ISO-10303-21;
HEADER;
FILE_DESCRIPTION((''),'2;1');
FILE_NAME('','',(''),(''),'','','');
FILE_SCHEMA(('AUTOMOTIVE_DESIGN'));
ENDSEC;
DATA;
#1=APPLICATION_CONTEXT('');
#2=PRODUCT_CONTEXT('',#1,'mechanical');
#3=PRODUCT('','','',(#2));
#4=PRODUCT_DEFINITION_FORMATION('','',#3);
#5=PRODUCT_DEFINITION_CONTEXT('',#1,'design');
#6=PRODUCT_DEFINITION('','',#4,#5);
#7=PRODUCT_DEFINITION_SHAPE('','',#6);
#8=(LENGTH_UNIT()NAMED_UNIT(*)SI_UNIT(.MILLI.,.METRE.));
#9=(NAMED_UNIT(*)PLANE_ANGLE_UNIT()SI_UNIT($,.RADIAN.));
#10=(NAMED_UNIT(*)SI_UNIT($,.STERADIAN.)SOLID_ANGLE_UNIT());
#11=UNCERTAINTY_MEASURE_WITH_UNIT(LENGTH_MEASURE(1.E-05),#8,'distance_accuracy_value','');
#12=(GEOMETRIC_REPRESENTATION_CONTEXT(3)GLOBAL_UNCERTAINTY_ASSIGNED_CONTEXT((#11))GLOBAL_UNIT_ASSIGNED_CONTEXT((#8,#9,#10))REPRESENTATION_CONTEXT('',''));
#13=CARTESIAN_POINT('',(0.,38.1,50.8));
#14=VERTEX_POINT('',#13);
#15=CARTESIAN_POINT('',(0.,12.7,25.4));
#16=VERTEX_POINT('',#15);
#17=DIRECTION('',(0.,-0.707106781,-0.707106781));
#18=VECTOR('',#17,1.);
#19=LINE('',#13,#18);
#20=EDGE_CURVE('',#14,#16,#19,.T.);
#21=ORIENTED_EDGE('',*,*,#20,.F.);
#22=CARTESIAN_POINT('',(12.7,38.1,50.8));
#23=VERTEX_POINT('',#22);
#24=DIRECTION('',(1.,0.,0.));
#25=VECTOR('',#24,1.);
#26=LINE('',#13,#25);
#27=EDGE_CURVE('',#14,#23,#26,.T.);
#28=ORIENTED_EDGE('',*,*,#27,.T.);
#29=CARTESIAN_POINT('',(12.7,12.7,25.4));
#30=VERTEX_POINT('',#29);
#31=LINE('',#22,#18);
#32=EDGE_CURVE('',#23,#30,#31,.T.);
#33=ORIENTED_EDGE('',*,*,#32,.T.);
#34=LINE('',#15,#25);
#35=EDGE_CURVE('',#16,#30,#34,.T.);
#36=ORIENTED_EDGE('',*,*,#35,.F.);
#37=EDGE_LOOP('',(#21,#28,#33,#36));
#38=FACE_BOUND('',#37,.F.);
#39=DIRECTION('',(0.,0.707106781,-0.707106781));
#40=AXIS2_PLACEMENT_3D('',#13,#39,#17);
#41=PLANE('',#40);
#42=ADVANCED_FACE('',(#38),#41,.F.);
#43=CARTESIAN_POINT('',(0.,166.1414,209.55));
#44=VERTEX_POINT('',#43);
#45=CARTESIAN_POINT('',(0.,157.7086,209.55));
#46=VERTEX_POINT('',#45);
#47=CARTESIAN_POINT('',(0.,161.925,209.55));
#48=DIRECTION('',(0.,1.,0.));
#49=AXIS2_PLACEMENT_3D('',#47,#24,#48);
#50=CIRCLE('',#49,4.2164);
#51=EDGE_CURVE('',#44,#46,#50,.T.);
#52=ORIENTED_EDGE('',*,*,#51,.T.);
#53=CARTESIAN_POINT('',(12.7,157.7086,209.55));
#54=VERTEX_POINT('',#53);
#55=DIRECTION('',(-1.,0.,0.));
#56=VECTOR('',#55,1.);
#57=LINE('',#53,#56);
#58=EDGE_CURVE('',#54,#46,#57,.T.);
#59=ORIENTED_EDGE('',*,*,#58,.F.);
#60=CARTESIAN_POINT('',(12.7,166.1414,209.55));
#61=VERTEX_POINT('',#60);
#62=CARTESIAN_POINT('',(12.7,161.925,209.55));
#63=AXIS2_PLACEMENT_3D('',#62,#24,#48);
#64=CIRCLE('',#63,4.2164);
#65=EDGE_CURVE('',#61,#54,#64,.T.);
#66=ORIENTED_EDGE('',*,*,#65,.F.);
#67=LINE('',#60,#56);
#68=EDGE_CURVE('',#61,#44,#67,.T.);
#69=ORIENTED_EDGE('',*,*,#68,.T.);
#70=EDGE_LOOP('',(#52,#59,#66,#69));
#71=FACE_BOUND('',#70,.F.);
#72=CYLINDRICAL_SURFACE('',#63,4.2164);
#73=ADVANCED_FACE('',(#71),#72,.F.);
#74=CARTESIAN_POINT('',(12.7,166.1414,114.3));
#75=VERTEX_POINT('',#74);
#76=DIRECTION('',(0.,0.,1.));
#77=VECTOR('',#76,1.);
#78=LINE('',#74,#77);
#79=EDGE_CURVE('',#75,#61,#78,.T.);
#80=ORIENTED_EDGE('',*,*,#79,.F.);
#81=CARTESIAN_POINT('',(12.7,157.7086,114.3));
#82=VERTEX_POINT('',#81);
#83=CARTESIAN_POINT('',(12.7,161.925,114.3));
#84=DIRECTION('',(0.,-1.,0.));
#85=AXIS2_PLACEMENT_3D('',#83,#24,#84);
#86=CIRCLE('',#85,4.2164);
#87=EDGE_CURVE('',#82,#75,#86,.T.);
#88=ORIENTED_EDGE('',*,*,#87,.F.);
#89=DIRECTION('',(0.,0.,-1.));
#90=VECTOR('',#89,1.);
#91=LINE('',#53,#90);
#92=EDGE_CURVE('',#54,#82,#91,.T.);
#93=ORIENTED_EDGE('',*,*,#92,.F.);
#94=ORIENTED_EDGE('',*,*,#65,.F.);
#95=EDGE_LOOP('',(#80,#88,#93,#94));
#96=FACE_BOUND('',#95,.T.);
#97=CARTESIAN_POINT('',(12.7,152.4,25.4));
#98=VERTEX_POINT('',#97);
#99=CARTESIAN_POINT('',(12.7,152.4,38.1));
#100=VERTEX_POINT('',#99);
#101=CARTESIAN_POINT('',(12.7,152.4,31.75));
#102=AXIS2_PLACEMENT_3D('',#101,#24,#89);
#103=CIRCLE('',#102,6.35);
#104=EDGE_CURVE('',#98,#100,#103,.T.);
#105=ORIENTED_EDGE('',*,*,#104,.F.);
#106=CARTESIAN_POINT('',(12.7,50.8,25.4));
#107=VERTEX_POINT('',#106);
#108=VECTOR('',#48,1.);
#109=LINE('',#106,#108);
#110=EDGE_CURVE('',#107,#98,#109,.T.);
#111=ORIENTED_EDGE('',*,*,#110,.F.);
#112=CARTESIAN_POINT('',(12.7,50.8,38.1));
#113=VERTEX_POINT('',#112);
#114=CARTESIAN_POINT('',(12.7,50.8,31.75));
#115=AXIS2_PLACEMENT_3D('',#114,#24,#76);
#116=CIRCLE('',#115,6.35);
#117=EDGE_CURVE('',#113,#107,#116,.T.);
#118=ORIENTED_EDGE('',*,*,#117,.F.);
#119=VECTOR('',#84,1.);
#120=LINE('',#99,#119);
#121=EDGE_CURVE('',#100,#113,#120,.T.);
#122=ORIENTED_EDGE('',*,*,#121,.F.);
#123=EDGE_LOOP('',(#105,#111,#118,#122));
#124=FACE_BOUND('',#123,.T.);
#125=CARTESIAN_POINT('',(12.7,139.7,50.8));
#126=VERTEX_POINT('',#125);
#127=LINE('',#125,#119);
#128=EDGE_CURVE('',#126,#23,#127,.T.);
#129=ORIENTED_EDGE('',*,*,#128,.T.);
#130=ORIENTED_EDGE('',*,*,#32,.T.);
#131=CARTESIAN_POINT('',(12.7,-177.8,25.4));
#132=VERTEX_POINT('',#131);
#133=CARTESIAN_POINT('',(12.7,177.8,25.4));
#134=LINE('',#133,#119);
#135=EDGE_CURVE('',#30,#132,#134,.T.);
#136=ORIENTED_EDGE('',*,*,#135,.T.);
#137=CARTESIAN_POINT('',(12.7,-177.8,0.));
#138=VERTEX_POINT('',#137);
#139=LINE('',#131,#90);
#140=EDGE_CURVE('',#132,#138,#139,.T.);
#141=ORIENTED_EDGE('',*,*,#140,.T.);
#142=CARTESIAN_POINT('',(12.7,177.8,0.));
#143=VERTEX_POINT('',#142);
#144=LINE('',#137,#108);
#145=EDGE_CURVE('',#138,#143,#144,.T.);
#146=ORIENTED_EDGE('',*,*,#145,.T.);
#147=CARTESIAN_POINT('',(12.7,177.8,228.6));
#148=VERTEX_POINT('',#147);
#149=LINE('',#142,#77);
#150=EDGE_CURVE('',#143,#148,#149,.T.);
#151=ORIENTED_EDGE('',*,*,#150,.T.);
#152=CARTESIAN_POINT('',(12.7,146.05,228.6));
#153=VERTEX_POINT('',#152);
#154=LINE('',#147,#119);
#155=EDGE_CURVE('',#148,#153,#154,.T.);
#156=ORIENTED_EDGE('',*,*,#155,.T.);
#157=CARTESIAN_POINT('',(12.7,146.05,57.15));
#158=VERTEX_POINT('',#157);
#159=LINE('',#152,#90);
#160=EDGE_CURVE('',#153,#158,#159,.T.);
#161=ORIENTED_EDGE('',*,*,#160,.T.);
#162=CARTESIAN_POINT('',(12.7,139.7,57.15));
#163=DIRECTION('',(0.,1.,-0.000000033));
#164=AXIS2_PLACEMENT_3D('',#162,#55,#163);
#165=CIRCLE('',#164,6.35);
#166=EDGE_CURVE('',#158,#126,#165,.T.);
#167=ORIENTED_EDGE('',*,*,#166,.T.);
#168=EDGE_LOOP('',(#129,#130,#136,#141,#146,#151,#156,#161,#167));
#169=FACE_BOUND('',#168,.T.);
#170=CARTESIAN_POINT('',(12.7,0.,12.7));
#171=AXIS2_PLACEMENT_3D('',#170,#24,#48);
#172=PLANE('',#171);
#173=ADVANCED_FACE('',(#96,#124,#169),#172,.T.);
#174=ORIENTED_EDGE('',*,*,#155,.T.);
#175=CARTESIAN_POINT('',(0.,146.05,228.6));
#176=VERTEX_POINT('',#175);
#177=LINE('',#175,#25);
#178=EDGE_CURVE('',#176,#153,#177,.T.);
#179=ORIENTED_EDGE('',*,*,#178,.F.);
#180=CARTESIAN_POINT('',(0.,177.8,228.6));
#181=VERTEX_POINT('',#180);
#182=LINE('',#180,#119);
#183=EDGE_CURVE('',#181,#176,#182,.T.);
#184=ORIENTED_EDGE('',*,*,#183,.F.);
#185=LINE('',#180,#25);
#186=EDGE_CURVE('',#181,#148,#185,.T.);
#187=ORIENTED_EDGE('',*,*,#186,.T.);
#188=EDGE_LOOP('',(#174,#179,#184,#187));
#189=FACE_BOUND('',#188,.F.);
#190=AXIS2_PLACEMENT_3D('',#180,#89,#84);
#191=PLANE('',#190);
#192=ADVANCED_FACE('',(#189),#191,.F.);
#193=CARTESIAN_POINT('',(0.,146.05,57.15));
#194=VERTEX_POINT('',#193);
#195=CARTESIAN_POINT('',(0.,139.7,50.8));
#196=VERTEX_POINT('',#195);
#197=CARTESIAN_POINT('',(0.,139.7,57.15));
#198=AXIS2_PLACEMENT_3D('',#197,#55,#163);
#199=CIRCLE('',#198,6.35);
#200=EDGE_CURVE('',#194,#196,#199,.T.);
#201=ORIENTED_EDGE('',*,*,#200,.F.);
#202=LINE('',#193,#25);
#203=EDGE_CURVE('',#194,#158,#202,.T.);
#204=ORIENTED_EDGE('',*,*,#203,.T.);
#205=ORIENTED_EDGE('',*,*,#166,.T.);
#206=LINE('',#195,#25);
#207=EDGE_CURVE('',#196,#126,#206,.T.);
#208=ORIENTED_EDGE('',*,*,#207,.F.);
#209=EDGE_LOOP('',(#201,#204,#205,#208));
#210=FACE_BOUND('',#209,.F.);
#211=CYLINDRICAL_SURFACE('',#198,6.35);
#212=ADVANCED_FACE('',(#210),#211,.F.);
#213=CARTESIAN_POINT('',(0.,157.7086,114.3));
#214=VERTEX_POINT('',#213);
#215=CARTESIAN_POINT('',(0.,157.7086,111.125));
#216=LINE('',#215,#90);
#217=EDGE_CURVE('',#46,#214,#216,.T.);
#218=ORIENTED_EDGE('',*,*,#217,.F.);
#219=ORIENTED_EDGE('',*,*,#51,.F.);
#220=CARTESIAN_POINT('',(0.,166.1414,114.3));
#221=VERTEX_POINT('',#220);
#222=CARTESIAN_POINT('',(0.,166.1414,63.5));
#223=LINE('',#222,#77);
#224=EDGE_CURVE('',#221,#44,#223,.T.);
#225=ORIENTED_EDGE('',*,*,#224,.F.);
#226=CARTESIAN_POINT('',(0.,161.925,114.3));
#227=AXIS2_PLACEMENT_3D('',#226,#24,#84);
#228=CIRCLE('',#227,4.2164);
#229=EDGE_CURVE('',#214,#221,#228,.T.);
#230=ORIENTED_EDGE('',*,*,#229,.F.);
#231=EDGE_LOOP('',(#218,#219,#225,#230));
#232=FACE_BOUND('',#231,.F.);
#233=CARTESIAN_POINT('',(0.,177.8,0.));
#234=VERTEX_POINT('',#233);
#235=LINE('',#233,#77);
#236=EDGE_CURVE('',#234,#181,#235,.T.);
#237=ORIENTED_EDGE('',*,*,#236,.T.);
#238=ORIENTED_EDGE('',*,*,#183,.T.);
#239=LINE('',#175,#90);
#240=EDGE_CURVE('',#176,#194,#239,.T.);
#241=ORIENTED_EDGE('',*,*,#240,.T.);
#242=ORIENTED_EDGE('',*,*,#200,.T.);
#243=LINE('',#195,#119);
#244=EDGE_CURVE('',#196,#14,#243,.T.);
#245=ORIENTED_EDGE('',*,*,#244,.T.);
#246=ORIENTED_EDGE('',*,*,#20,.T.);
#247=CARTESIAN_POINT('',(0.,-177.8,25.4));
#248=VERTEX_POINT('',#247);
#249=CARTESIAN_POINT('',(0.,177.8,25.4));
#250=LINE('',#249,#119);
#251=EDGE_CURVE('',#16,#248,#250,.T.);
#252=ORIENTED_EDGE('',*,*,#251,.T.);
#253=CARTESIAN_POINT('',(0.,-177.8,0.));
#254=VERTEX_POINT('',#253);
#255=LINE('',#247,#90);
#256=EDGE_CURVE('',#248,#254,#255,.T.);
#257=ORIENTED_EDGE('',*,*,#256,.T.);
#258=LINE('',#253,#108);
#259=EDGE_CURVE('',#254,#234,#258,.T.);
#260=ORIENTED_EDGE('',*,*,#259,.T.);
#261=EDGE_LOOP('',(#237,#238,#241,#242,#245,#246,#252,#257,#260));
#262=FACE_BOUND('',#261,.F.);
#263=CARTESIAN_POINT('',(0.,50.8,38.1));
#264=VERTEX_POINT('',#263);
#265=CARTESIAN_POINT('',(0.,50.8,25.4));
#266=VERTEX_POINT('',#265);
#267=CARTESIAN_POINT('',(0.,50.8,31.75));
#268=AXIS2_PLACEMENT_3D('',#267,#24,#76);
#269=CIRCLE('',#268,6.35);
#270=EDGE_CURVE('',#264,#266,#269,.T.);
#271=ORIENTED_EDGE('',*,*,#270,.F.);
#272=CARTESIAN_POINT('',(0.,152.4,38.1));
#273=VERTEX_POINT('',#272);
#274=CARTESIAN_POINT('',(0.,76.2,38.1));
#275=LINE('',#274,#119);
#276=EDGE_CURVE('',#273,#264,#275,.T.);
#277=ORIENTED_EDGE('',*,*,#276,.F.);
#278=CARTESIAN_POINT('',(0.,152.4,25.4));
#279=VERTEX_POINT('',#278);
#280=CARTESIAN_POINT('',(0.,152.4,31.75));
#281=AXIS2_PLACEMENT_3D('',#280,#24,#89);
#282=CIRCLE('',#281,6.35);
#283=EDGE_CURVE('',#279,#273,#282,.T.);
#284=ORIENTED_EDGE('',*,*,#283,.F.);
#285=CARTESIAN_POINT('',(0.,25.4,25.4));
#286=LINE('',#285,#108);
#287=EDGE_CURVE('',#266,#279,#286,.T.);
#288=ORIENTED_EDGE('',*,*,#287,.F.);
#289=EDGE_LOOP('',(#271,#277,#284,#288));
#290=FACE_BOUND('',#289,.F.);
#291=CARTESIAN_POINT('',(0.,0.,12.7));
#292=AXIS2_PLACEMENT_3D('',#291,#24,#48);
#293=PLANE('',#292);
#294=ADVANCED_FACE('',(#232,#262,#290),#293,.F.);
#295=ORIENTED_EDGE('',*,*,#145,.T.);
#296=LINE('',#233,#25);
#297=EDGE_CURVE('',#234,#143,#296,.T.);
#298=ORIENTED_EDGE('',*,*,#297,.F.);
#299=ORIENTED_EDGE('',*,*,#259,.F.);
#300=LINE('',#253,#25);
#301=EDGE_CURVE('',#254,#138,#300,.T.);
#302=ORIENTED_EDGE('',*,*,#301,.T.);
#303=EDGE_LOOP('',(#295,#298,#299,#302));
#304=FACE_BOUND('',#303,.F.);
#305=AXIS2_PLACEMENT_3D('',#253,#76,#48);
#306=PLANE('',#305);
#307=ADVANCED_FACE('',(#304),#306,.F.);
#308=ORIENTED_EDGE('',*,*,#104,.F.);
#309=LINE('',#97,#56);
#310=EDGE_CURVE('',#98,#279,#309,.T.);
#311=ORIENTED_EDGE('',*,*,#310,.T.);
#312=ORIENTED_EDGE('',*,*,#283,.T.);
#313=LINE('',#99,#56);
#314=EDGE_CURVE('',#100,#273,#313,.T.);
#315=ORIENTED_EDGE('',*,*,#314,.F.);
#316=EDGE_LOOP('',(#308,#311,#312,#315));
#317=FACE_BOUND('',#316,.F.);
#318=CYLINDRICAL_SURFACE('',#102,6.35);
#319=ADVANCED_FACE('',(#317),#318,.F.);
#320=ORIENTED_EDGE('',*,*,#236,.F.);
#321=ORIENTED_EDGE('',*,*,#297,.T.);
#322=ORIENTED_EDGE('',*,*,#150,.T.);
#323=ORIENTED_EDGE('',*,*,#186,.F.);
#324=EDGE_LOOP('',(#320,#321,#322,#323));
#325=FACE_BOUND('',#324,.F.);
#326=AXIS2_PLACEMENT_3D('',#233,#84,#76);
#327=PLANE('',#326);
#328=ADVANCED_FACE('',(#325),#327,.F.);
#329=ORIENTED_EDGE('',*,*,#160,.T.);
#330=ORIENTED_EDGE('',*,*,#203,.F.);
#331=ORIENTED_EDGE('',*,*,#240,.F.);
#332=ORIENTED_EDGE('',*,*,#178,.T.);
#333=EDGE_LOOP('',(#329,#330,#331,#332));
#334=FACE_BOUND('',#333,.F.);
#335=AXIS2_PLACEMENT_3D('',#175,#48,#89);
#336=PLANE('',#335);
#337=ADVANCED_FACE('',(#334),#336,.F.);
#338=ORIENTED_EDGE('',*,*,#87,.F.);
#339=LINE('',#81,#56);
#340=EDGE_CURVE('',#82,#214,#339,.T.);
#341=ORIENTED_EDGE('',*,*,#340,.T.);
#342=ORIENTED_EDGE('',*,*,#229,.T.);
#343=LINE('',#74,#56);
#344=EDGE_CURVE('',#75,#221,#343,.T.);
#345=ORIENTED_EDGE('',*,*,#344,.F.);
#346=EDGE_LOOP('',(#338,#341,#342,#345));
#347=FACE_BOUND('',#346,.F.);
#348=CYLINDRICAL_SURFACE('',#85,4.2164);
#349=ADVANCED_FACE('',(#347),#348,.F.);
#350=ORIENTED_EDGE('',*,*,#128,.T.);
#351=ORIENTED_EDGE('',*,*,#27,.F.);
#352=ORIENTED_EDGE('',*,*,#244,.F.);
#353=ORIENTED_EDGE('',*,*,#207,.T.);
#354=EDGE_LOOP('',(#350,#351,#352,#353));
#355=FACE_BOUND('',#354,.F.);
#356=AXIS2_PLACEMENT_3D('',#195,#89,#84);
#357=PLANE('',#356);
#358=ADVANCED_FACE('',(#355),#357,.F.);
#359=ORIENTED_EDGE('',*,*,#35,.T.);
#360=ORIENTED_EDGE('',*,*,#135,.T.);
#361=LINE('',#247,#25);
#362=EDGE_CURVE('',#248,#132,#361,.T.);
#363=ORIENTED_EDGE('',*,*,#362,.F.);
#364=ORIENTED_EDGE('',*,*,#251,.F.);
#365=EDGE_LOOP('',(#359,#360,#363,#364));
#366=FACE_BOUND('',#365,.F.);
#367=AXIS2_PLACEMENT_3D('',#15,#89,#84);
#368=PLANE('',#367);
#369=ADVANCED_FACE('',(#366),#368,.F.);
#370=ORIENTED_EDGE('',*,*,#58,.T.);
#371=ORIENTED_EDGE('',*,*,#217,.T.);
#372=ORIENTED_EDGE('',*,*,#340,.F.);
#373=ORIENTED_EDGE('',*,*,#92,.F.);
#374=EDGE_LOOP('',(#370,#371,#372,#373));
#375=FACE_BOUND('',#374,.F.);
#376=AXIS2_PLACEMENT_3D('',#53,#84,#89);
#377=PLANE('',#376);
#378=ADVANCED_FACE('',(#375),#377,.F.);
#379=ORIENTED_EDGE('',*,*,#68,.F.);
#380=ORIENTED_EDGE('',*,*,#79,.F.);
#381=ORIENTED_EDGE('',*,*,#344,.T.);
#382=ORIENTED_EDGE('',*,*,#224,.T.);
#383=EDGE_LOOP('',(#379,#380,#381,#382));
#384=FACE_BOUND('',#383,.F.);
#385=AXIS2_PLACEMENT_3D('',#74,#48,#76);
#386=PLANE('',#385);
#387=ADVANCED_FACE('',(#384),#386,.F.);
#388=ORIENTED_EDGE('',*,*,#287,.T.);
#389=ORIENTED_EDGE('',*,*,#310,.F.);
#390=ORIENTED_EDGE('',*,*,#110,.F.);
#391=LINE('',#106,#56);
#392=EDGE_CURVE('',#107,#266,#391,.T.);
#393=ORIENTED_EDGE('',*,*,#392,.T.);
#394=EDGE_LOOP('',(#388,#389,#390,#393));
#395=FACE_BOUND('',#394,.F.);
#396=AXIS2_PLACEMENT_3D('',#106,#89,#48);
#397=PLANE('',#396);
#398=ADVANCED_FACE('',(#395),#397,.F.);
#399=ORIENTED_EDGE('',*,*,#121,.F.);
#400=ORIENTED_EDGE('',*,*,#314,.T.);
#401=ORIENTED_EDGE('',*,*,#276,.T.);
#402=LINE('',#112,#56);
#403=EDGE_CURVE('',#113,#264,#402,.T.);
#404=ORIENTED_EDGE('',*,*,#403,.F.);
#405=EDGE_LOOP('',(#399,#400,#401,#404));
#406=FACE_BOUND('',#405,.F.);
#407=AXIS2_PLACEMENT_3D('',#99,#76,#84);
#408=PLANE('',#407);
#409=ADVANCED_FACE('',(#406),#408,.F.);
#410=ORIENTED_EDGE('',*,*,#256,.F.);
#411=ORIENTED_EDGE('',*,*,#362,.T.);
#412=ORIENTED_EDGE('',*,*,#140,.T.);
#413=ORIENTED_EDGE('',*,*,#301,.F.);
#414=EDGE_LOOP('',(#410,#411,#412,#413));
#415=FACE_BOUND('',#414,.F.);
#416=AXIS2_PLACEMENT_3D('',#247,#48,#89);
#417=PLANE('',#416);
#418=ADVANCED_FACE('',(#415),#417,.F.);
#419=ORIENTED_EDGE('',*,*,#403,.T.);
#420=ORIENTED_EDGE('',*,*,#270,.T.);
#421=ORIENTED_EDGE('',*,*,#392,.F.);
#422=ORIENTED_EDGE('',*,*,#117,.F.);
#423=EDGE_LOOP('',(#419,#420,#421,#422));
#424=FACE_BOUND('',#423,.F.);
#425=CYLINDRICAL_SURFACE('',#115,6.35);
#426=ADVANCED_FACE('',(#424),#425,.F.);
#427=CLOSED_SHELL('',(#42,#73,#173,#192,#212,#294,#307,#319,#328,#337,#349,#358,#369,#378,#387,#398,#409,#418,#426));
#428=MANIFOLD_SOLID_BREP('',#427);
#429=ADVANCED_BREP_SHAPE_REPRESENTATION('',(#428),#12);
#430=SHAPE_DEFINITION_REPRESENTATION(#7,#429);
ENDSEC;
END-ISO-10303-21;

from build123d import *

# Parameters (mm, degrees)
F1_DEPTH = 12.7
F3_DEPTH = 12.701
F5_DEPTH = 12.701


with BuildPart() as f1:
    # F0 (on Right) → F1 (new body)
    with BuildSketch(Plane.YZ):
        Polygon((12.7, 25.4), (-177.8, 25.4), (-177.8, 0), (146.05, 0), (177.8, 0), (177.8, 25.4), align=None)
        with BuildLine():
            Line((38.1, 50.8), (12.7, 25.4))
            Line((12.7, 25.4), (177.8, 25.4))
            Line((177.8, 25.4), (177.8, 228.6))
            Line((177.8, 228.6), (146.05, 228.6))
            Line((146.05, 228.6), (146.05, 57.15))
            ThreePointArc((146.05, 57.15), (144.190128, 52.659872), (139.7, 50.8))
            Line((139.7, 50.8), (38.1, 50.8))
        make_face()
    extrude(amount=F1_DEPTH)

    # F2 (on face) → F3 (cut, through all)
    with BuildSketch(Plane.YZ.offset(12.7)):
        with BuildLine():
            ThreePointArc((166.1414, 209.55), (161.925, 213.7664), (157.7086, 209.55))
            Line((157.7086, 209.55), (157.7086, 114.3))
            ThreePointArc((157.7086, 114.3), (161.925, 110.0836), (166.1414, 114.3))
            Line((166.1414, 114.3), (166.1414, 209.55))
        make_face()
    extrude(amount=-F3_DEPTH, mode=Mode.SUBTRACT)

    # F4 (on face) → F5 (cut, through all)
    with BuildSketch(Plane.YZ.offset(12.7)):
        with BuildLine():
            Line((152.4, 38.1), (50.8, 38.1))
            ThreePointArc((50.8, 38.1), (44.45, 31.75), (50.8, 25.4))
            Line((50.8, 25.4), (152.4, 25.4))
            ThreePointArc((152.4, 25.4), (158.75, 31.75), (152.4, 38.1))
        make_face()
    extrude(amount=-F5_DEPTH, mode=Mode.SUBTRACT)


solid = f1.part
